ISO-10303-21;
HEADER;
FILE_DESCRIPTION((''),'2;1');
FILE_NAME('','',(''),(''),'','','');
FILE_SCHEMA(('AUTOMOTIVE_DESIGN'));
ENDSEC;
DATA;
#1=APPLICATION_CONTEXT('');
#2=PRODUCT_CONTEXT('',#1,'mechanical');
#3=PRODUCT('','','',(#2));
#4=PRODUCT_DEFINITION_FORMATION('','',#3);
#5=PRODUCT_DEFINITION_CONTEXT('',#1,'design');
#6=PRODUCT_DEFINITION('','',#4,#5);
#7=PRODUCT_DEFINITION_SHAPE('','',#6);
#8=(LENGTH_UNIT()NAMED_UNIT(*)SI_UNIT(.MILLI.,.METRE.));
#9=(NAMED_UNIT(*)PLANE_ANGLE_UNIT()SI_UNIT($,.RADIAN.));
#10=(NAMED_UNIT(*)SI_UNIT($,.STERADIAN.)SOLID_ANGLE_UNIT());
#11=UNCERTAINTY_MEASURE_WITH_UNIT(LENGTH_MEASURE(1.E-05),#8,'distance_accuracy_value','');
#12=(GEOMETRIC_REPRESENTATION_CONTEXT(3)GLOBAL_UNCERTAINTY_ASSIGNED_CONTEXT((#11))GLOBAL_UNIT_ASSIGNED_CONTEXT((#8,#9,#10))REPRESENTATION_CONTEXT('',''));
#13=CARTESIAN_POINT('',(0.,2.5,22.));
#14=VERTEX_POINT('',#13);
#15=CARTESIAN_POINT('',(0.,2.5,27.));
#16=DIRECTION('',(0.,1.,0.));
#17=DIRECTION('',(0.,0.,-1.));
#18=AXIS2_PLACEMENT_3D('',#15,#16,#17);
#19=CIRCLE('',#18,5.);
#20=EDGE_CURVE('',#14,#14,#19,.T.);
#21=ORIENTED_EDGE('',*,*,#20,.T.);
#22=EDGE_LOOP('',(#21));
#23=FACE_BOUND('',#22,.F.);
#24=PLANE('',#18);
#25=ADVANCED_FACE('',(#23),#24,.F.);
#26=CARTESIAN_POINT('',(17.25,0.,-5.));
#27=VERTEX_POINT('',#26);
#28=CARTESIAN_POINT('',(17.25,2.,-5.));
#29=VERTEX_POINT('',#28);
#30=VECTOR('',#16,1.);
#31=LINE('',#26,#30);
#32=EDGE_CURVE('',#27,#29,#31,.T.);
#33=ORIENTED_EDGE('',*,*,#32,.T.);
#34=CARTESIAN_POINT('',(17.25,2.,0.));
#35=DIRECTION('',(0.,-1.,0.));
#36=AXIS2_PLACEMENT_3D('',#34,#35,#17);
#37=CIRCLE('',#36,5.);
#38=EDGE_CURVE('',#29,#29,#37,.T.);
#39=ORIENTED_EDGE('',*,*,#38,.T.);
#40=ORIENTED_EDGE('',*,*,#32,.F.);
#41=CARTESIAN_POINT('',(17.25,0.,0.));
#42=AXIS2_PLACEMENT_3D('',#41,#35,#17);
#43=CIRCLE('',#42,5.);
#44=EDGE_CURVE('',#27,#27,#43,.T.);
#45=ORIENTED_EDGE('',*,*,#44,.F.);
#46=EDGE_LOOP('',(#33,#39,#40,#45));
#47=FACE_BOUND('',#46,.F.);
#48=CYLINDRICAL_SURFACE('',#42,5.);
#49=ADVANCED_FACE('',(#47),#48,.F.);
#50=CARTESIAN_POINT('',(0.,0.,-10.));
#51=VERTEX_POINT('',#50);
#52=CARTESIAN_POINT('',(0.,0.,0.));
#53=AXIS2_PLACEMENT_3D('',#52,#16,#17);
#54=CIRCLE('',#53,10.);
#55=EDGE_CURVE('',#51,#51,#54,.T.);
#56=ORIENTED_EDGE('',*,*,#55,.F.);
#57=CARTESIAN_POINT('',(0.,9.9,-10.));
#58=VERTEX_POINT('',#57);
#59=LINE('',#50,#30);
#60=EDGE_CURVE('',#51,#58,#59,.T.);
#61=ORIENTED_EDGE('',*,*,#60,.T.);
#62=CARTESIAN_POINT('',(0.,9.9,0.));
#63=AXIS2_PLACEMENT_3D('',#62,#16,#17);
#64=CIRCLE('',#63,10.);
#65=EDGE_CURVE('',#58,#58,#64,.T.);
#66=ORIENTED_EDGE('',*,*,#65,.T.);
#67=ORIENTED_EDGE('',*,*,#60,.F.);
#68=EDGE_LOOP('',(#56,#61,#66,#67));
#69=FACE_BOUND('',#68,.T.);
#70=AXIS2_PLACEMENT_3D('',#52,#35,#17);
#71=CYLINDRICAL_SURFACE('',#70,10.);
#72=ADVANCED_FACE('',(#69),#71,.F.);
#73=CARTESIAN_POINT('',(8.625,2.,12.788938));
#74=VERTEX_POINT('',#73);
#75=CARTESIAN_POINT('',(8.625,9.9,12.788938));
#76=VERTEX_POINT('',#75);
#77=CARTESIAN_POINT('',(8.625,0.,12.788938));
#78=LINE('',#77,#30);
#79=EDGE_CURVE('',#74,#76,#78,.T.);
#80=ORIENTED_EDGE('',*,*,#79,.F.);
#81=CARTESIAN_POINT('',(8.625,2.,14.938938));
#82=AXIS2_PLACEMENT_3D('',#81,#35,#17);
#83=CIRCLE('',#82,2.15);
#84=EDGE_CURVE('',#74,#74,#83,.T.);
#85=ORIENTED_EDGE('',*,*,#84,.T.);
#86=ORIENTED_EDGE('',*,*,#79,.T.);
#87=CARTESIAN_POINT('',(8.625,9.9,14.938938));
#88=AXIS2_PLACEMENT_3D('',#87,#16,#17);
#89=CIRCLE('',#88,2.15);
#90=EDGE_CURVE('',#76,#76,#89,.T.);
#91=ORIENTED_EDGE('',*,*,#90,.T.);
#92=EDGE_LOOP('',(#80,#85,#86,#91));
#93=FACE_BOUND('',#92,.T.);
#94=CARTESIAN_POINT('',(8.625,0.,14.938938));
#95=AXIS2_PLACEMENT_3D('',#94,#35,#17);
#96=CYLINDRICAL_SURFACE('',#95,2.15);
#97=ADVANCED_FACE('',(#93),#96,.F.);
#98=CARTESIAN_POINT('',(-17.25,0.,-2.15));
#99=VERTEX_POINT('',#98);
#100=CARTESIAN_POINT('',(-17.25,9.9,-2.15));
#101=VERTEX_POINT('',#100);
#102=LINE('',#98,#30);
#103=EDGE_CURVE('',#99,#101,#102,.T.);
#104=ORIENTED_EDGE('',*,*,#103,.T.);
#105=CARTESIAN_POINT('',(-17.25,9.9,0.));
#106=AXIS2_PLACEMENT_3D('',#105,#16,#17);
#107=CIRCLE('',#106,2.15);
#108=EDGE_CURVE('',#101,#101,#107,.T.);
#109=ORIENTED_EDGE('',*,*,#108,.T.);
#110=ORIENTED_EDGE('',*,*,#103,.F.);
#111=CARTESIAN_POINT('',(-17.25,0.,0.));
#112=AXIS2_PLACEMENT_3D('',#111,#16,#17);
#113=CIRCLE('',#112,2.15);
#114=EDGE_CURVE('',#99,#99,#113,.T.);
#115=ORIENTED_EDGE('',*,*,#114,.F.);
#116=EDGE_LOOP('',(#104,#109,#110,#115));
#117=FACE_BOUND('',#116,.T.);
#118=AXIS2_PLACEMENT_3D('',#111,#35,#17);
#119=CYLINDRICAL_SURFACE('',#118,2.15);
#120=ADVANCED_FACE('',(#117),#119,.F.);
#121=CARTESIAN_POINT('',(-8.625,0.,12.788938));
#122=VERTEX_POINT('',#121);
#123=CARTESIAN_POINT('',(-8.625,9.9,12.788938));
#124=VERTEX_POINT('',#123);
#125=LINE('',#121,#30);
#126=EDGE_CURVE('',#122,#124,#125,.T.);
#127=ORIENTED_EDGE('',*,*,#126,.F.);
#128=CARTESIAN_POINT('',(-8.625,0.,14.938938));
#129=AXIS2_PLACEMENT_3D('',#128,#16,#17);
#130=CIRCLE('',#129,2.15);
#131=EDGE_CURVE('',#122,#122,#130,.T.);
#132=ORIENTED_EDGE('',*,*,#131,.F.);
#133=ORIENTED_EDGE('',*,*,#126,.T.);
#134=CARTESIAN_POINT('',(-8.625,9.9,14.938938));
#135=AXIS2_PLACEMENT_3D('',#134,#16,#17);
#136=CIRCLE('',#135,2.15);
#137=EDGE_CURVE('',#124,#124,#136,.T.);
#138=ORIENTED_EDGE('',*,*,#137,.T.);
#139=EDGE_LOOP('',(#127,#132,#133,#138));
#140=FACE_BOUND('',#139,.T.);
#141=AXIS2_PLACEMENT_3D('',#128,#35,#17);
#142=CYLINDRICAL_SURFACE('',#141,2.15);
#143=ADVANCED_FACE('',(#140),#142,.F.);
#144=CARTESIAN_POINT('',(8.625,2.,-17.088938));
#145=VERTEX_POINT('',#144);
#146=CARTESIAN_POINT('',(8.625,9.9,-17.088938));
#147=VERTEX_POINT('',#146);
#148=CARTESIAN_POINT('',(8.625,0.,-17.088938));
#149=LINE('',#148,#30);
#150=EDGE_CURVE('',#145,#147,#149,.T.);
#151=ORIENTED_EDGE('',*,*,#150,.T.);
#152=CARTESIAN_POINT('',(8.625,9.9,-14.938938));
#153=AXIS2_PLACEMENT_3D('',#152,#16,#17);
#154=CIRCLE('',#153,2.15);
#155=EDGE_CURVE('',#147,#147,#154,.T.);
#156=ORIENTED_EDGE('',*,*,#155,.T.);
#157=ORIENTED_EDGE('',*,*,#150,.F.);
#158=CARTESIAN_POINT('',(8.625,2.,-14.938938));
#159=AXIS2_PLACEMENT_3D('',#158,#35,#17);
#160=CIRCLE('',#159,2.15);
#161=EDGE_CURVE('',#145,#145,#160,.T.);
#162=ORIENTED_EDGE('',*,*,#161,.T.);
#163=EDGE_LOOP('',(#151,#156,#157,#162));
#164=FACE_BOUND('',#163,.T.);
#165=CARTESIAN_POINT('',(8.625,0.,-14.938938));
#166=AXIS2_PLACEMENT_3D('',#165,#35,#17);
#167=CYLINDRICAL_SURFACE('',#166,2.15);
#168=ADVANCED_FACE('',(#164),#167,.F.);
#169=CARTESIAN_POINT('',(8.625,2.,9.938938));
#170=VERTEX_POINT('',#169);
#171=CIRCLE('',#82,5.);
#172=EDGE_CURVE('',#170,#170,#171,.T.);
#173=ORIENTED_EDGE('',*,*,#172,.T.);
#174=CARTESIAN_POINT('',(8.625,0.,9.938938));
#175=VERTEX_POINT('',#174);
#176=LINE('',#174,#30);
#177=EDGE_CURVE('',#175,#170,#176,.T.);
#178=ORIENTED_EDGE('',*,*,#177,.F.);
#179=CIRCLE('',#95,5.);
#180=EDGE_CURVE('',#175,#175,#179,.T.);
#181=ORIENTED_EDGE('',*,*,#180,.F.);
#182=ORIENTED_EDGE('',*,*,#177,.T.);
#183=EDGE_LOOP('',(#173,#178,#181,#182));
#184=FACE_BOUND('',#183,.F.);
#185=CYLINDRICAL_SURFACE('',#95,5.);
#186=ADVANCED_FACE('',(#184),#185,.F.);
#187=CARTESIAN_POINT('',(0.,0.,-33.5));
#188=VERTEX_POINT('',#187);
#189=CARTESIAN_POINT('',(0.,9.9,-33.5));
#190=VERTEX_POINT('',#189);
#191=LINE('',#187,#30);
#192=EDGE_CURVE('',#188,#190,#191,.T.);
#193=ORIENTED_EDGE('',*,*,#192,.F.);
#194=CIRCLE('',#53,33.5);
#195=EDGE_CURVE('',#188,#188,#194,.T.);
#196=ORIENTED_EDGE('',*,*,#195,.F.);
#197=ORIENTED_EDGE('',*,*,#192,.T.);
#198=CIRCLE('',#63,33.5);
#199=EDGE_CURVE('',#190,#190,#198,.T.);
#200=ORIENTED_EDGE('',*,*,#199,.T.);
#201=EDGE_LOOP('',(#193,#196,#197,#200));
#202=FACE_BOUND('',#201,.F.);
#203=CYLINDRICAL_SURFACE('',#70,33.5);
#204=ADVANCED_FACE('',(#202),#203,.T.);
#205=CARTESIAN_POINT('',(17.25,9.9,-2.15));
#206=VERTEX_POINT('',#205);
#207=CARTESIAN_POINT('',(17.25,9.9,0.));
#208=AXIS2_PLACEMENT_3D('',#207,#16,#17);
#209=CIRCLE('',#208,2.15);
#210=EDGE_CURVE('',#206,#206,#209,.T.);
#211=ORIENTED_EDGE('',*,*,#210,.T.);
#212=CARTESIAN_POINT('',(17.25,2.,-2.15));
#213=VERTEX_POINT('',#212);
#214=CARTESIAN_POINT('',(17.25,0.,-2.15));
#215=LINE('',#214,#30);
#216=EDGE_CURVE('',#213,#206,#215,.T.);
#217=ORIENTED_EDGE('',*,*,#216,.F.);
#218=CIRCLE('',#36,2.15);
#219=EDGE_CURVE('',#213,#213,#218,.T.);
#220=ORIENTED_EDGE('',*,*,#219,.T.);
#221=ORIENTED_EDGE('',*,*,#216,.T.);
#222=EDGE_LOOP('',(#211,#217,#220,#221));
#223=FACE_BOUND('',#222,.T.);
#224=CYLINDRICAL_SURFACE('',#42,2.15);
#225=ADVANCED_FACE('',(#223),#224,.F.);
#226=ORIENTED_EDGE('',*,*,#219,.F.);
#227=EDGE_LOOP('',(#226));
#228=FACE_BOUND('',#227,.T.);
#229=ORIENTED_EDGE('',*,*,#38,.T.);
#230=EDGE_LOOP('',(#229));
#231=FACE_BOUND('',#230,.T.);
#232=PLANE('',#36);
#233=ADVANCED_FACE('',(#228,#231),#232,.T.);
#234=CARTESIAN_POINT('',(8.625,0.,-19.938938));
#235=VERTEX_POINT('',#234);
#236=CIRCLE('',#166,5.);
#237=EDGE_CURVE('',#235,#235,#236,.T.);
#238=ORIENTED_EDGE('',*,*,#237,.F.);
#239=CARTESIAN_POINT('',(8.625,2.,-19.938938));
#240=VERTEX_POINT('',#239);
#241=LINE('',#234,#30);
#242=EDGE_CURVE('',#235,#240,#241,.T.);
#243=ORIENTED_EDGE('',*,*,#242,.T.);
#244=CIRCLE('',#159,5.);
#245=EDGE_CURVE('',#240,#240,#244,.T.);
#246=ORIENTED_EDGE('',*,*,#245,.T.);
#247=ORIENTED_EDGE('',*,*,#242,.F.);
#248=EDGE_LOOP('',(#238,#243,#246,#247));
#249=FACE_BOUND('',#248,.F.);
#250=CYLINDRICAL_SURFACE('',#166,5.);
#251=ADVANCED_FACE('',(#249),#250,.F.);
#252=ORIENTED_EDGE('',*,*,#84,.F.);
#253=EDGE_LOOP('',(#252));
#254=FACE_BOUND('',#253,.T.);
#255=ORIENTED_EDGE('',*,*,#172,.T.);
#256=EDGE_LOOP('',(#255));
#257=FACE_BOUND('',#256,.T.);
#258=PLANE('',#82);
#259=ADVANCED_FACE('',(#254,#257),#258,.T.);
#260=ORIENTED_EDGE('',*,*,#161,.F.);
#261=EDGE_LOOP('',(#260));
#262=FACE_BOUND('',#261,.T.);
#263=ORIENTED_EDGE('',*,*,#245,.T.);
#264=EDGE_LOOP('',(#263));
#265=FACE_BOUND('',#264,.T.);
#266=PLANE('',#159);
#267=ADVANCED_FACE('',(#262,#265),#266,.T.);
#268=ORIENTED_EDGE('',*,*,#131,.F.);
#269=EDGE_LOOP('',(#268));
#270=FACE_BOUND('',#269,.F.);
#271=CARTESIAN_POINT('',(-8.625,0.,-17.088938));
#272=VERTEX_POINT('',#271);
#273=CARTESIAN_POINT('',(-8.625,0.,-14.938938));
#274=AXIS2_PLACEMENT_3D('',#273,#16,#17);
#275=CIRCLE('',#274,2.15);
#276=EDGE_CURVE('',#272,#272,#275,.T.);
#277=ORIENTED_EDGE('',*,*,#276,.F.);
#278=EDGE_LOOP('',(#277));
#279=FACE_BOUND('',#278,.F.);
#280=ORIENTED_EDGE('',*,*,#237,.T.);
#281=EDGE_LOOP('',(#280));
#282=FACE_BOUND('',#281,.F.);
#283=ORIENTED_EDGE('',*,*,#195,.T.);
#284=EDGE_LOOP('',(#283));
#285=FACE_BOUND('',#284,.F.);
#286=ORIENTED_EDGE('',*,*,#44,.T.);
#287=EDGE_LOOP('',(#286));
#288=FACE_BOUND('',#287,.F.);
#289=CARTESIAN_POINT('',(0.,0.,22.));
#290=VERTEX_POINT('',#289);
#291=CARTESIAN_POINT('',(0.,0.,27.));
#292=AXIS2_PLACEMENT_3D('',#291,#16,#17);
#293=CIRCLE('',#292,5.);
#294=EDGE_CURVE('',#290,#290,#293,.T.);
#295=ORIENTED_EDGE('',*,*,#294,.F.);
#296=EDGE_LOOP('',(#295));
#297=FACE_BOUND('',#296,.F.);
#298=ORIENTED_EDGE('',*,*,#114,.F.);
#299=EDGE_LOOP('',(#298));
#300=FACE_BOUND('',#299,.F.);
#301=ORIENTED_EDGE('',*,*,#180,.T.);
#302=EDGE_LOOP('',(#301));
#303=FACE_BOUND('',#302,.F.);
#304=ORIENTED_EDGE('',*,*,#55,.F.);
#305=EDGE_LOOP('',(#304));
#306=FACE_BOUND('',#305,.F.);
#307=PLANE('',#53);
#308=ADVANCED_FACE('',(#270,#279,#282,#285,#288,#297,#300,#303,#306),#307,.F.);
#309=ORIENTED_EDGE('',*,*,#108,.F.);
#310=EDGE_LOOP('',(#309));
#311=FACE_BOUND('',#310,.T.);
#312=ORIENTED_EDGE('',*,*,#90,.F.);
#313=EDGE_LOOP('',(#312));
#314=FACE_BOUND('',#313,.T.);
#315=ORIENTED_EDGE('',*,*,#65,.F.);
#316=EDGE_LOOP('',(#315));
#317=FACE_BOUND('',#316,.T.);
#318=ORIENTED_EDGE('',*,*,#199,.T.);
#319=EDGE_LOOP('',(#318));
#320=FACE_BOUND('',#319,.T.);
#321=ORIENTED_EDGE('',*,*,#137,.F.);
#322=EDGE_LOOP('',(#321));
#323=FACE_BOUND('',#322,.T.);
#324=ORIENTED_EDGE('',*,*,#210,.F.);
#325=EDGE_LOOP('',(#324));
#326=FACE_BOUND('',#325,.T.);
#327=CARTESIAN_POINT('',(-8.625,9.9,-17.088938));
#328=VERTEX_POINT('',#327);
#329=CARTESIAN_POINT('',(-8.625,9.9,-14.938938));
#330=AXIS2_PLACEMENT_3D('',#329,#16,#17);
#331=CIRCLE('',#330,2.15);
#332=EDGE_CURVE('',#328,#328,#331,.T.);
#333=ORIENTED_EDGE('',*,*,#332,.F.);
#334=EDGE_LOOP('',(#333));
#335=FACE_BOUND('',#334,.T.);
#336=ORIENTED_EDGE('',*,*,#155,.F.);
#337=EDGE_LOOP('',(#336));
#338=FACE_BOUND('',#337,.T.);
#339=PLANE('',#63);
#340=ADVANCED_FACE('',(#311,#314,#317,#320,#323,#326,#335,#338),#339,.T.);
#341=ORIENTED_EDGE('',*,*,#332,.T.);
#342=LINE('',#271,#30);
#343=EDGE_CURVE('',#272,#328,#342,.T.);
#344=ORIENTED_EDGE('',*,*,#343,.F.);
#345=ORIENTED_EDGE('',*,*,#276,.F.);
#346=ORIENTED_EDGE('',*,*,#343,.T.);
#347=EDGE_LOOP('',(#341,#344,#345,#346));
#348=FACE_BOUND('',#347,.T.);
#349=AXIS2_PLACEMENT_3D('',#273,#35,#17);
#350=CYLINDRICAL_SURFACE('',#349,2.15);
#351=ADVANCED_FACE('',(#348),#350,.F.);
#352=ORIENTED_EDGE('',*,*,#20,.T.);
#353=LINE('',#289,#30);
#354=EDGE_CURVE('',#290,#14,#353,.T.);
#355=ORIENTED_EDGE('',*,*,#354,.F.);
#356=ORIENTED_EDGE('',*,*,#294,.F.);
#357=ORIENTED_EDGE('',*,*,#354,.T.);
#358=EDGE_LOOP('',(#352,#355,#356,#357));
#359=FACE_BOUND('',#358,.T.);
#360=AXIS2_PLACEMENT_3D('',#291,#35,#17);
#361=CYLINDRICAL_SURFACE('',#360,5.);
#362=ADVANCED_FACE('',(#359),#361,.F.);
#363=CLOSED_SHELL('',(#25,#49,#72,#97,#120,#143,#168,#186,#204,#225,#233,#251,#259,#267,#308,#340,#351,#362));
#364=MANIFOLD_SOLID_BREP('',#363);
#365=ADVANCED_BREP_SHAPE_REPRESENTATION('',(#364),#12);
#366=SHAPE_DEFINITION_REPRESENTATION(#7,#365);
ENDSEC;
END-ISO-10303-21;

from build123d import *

# Parameters (mm, degrees)
SKETCH_1_R          = 33.5
SKETCH_1_R_2        = 2.15
SKETCH_1_R_3        = 10
EXTRUDE_1_DEPTH     = 9.9
SKETCH_2_R          = 5
CUT_EXTRUDE_3_DEPTH = 2.5
SKETCH_5_R          = 5
CUT_EXTRUDE_5_DEPTH = 2


with BuildPart() as part:
    # 草图1 → 凸台-拉伸1 (new body)
    with BuildSketch(Plane(origin=(0, 0, 0), x_dir=(1, 0, 0), z_dir=(0, 1, 0))):
        with Locations(Location((0, 0, 0), (0, 0, 90))):
            Circle(SKETCH_1_R)
        with Locations(Location((8.625, 14.938938215, 0), (0, 0, 90))):
            Circle(SKETCH_1_R_2, mode=Mode.SUBTRACT)
        with Locations(Location((0, 0, 0), (0, 0, 90))):
            Circle(SKETCH_1_R_3, mode=Mode.SUBTRACT)
        with Locations(Location((17.25, 0, 0), (0, 0, 90))):
            Circle(SKETCH_1_R_2, mode=Mode.SUBTRACT)
        with Locations(Location((8.625, -14.938938215, 0), (0, 0, 90))):
            Circle(SKETCH_1_R_2, mode=Mode.SUBTRACT)
        with Locations(Location((-8.625, -14.938938215, 0), (0, 0, 90))):
            Circle(SKETCH_1_R_2, mode=Mode.SUBTRACT)
        with Locations(Location((-17.25, 0, 0), (0, 0, 90))):
            Circle(SKETCH_1_R_2, mode=Mode.SUBTRACT)
        with Locations(Location((-8.625, 14.938938215, 0), (0, 0, 90))):
            Circle(SKETCH_1_R_2, mode=Mode.SUBTRACT)
    extrude(amount=EXTRUDE_1_DEPTH)

    # 草图2 → 切除-拉伸3 (cut)
    with BuildSketch(Plane(origin=(0, 0, 0), x_dir=(1, 0, 0), z_dir=(0, 1, 0))):
        with Locations(Location((0, -27, 0), (0, 0, 90))):
            Circle(SKETCH_2_R)
    extrude(amount=CUT_EXTRUDE_3_DEPTH, mode=Mode.SUBTRACT)

    # 草图5 → 切除-拉伸5 (cut)
    with BuildSketch(Plane.XZ):
        with Locations(Location((8.625, 14.938938215, 0), (0, 0, 270))):
            Circle(SKETCH_5_R)
        with Locations(Location((17.25, 0, 0), (0, 0, 270))):
            Circle(SKETCH_5_R)
        with Locations(Location((8.625, -14.938938215, 0), (0, 0, 270))):
            Circle(SKETCH_5_R)
    extrude(amount=-CUT_EXTRUDE_5_DEPTH, mode=Mode.SUBTRACT)


solid = part.part
